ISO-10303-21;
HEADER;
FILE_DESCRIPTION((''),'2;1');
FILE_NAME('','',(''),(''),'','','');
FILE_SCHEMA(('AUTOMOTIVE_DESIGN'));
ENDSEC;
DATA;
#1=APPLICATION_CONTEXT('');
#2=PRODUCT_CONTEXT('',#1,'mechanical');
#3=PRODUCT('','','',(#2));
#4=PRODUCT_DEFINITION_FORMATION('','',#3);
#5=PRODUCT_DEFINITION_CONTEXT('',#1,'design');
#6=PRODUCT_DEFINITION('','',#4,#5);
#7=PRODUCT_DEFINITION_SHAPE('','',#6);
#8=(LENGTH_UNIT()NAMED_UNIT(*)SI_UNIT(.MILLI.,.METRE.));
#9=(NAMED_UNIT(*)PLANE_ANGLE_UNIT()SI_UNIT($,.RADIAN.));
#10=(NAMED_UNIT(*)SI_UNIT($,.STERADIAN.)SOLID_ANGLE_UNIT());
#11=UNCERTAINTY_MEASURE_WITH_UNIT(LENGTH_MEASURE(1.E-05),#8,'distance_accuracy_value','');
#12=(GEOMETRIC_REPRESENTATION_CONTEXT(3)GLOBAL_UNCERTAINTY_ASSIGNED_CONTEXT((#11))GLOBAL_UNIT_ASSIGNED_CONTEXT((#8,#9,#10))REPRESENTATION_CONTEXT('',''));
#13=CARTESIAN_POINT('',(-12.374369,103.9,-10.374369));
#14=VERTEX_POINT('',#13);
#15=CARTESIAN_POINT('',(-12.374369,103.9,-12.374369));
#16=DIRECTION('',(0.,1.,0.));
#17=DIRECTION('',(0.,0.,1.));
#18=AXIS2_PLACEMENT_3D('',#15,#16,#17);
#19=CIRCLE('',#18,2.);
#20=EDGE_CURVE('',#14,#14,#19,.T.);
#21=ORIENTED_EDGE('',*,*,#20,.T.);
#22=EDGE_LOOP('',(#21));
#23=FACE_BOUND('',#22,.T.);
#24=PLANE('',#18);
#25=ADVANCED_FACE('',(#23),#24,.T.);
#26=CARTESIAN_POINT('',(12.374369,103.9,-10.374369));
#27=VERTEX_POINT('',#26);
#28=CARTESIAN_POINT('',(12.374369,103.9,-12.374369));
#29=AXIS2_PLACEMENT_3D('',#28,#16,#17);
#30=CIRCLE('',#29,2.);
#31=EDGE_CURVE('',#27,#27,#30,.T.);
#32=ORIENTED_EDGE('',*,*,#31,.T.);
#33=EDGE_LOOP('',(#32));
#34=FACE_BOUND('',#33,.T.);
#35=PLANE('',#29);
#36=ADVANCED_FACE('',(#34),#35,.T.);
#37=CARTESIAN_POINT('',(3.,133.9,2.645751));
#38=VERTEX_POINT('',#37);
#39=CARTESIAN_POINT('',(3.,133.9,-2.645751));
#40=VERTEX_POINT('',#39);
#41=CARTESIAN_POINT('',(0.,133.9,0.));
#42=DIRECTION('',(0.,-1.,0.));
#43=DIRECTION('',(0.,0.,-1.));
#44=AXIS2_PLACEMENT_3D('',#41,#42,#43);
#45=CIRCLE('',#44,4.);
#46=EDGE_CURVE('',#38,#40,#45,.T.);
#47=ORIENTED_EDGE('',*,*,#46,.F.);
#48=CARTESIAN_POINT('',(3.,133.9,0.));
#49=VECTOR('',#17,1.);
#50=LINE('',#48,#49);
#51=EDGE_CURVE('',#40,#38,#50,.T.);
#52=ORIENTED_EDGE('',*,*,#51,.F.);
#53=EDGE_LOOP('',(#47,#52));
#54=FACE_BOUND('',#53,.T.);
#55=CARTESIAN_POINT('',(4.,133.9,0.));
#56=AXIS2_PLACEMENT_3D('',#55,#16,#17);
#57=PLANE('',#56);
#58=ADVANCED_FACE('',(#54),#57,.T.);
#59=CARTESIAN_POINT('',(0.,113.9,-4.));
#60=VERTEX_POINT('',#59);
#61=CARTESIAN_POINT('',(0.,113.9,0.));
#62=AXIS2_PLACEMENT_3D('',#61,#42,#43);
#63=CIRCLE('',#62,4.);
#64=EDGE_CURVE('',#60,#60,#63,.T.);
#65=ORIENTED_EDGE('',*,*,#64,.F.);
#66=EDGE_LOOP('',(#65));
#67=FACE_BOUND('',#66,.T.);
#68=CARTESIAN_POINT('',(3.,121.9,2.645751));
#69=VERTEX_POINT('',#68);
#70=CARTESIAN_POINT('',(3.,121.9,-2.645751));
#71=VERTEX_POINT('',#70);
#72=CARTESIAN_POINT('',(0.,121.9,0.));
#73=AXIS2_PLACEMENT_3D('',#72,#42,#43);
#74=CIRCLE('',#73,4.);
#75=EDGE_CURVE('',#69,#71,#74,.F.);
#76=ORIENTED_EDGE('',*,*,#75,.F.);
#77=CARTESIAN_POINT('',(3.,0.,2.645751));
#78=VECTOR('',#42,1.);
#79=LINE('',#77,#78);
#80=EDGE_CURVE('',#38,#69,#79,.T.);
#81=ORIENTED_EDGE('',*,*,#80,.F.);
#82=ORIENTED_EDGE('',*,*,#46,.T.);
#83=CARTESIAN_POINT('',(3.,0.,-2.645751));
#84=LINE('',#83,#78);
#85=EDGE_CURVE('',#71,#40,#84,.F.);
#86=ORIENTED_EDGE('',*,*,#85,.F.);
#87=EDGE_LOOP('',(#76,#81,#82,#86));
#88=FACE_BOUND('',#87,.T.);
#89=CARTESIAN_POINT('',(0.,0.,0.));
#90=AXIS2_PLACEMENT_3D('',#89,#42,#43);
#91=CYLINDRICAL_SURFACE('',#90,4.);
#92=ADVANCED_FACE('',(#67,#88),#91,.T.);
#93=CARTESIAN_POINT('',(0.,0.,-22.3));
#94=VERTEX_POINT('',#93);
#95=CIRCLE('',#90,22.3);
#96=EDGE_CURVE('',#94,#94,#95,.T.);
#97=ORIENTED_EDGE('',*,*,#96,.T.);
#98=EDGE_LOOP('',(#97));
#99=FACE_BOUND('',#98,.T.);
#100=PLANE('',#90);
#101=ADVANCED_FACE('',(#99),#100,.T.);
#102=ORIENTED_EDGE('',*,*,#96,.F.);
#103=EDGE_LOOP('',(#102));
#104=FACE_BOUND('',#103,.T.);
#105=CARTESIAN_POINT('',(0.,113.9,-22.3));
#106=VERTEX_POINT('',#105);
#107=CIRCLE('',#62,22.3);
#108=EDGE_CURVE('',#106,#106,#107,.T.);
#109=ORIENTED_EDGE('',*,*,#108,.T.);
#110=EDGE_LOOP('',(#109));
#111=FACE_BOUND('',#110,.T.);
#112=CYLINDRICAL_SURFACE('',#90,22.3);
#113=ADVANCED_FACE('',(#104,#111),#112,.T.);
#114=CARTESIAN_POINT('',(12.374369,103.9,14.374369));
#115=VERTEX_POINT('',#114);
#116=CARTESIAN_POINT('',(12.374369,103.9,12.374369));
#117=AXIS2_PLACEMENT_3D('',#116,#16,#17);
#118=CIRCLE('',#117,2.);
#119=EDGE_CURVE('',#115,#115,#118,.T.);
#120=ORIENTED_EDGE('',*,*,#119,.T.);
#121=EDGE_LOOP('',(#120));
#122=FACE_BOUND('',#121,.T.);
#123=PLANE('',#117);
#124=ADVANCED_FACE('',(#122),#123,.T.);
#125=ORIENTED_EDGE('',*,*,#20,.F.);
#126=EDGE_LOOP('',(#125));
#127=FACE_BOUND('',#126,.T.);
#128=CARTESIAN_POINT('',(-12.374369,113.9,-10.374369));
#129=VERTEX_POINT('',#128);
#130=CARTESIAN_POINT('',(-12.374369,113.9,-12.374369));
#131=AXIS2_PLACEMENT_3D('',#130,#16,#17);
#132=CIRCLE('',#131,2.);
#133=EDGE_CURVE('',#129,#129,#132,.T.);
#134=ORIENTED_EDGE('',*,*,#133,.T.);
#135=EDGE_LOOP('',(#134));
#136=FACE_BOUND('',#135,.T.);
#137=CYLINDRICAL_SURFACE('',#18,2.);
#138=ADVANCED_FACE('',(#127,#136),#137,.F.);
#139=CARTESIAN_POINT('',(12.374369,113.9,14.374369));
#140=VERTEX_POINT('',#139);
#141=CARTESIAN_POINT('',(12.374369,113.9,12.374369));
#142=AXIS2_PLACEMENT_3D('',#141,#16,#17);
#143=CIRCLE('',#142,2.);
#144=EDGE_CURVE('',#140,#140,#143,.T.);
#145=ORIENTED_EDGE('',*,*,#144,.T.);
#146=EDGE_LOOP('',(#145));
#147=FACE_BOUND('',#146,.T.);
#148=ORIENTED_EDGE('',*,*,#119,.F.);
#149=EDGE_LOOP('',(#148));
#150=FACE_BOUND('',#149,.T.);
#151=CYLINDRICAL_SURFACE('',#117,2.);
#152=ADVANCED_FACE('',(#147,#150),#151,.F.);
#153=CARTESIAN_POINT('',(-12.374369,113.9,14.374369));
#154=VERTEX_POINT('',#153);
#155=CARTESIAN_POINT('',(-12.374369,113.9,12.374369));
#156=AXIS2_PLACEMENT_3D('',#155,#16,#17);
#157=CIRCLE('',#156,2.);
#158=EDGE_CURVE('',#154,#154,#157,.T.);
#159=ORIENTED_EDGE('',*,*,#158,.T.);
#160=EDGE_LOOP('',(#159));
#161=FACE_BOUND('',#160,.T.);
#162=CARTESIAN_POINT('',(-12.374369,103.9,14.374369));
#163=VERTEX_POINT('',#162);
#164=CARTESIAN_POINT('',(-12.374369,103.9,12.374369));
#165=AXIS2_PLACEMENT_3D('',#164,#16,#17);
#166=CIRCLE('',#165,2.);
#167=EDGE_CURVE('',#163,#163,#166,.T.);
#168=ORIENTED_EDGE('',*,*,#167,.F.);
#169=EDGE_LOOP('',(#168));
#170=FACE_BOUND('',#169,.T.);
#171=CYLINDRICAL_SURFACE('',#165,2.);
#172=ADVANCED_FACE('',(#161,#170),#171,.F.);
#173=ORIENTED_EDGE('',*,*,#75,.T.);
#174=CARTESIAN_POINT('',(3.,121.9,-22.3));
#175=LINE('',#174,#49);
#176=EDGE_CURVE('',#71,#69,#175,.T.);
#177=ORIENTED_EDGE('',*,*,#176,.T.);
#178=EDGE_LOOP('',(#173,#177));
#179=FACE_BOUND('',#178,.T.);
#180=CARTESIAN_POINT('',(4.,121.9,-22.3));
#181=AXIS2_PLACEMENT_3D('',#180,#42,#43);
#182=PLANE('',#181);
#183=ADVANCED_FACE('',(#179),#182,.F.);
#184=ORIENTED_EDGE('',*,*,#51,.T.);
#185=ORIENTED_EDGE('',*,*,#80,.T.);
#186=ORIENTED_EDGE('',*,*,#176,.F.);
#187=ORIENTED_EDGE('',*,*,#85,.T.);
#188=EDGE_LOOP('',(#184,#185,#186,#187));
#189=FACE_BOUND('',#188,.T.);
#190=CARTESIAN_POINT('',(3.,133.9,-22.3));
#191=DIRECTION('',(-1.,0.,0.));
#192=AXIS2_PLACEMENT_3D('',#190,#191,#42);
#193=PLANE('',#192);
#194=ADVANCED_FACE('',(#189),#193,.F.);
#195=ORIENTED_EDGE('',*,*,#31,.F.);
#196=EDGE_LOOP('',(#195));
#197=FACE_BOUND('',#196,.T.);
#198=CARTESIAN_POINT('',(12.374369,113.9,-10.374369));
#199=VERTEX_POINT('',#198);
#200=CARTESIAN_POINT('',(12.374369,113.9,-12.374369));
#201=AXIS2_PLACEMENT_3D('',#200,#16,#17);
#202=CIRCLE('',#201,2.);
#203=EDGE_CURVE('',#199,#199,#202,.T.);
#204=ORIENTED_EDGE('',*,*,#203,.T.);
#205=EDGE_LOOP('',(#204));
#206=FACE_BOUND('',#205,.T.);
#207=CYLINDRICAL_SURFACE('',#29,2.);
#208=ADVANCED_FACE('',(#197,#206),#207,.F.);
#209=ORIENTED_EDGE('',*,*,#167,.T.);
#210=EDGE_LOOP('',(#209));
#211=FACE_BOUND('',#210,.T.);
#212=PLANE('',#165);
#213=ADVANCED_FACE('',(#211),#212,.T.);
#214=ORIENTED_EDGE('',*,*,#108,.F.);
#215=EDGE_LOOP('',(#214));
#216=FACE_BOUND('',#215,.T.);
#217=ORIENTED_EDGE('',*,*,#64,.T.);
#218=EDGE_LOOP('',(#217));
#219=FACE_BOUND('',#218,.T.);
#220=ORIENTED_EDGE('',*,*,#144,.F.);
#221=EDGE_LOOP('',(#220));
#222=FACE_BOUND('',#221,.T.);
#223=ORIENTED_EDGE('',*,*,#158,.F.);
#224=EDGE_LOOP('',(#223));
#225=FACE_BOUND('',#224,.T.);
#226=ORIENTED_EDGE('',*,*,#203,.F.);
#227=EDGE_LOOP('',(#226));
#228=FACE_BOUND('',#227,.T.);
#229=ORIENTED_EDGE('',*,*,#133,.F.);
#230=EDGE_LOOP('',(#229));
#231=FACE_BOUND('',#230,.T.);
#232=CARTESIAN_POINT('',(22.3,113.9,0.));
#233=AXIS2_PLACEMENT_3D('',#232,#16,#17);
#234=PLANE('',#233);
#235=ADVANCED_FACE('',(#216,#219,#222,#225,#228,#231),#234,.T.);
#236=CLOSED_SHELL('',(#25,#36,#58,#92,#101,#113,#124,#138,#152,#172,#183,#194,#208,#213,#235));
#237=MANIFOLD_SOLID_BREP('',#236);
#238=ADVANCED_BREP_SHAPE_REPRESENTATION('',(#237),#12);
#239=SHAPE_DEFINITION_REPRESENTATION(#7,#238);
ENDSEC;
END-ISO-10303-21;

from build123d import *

# Parameters (mm, degrees)
SKETCH3_W               = 1
SKETCH3_H               = 12
CUT_EXTRUDE1_DEPTH      = 23.3
CUT_EXTRUDE1_DEPTH_BACK = 23.3
SKETCH4_R               = 2
CUT_EXTRUDE2_DEPTH      = 10


with BuildPart() as part:
    # Sketch2 → Revolve1 (revolve)
    with BuildSketch(Plane.XY, mode=Mode.PRIVATE) as revolve1_sk:
        Polygon((0, 0), (22.3, 0), (22.3, 113.9), (4, 113.9), (4, 133.9), (0, 133.9), align=None)
    revolve(revolve1_sk.sketch.rotate(Axis((0, 0, 0), (0, 1, 0)), 90), axis=Axis((0, 0, 0), (0, 1, 0)))  # turned: the seam where the file's is

    # Sketch3 → Cut-Extrude1 (cut, two sides)
    with BuildSketch(Plane.XY) as cut_extrude1_sk:
        with Locations((3.5, 127.9)):
            Rectangle(SKETCH3_W, SKETCH3_H)
    extrude(amount=CUT_EXTRUDE1_DEPTH, mode=Mode.SUBTRACT)
    extrude(cut_extrude1_sk.sketch, amount=-CUT_EXTRUDE1_DEPTH_BACK, mode=Mode.SUBTRACT)

    # Sketch4 → Cut-Extrude2 (cut)
    with BuildSketch(Plane(origin=(0, 113.9, 0), x_dir=(1, 0, 0), z_dir=(0, 1, 0))):
        with Locations(Location((-12.374368671, 12.374368671, 0), (0, 0, 270))):  # turned: the seam where the file's is
            Circle(SKETCH4_R)
        with Locations(Location((12.374368671, 12.374368671, 0), (0, 0, 270))):  # turned: the seam where the file's is
            Circle(SKETCH4_R)
        with Locations(Location((12.374368671, -12.374368671, 0), (0, 0, 270))):  # turned: the seam where the file's is
            Circle(SKETCH4_R)
        with Locations(Location((-12.374368671, -12.374368671, 0), (0, 0, 270))):  # turned: the seam where the file's is
            Circle(SKETCH4_R)
    extrude(amount=-CUT_EXTRUDE2_DEPTH, mode=Mode.SUBTRACT)


solid = part.part
